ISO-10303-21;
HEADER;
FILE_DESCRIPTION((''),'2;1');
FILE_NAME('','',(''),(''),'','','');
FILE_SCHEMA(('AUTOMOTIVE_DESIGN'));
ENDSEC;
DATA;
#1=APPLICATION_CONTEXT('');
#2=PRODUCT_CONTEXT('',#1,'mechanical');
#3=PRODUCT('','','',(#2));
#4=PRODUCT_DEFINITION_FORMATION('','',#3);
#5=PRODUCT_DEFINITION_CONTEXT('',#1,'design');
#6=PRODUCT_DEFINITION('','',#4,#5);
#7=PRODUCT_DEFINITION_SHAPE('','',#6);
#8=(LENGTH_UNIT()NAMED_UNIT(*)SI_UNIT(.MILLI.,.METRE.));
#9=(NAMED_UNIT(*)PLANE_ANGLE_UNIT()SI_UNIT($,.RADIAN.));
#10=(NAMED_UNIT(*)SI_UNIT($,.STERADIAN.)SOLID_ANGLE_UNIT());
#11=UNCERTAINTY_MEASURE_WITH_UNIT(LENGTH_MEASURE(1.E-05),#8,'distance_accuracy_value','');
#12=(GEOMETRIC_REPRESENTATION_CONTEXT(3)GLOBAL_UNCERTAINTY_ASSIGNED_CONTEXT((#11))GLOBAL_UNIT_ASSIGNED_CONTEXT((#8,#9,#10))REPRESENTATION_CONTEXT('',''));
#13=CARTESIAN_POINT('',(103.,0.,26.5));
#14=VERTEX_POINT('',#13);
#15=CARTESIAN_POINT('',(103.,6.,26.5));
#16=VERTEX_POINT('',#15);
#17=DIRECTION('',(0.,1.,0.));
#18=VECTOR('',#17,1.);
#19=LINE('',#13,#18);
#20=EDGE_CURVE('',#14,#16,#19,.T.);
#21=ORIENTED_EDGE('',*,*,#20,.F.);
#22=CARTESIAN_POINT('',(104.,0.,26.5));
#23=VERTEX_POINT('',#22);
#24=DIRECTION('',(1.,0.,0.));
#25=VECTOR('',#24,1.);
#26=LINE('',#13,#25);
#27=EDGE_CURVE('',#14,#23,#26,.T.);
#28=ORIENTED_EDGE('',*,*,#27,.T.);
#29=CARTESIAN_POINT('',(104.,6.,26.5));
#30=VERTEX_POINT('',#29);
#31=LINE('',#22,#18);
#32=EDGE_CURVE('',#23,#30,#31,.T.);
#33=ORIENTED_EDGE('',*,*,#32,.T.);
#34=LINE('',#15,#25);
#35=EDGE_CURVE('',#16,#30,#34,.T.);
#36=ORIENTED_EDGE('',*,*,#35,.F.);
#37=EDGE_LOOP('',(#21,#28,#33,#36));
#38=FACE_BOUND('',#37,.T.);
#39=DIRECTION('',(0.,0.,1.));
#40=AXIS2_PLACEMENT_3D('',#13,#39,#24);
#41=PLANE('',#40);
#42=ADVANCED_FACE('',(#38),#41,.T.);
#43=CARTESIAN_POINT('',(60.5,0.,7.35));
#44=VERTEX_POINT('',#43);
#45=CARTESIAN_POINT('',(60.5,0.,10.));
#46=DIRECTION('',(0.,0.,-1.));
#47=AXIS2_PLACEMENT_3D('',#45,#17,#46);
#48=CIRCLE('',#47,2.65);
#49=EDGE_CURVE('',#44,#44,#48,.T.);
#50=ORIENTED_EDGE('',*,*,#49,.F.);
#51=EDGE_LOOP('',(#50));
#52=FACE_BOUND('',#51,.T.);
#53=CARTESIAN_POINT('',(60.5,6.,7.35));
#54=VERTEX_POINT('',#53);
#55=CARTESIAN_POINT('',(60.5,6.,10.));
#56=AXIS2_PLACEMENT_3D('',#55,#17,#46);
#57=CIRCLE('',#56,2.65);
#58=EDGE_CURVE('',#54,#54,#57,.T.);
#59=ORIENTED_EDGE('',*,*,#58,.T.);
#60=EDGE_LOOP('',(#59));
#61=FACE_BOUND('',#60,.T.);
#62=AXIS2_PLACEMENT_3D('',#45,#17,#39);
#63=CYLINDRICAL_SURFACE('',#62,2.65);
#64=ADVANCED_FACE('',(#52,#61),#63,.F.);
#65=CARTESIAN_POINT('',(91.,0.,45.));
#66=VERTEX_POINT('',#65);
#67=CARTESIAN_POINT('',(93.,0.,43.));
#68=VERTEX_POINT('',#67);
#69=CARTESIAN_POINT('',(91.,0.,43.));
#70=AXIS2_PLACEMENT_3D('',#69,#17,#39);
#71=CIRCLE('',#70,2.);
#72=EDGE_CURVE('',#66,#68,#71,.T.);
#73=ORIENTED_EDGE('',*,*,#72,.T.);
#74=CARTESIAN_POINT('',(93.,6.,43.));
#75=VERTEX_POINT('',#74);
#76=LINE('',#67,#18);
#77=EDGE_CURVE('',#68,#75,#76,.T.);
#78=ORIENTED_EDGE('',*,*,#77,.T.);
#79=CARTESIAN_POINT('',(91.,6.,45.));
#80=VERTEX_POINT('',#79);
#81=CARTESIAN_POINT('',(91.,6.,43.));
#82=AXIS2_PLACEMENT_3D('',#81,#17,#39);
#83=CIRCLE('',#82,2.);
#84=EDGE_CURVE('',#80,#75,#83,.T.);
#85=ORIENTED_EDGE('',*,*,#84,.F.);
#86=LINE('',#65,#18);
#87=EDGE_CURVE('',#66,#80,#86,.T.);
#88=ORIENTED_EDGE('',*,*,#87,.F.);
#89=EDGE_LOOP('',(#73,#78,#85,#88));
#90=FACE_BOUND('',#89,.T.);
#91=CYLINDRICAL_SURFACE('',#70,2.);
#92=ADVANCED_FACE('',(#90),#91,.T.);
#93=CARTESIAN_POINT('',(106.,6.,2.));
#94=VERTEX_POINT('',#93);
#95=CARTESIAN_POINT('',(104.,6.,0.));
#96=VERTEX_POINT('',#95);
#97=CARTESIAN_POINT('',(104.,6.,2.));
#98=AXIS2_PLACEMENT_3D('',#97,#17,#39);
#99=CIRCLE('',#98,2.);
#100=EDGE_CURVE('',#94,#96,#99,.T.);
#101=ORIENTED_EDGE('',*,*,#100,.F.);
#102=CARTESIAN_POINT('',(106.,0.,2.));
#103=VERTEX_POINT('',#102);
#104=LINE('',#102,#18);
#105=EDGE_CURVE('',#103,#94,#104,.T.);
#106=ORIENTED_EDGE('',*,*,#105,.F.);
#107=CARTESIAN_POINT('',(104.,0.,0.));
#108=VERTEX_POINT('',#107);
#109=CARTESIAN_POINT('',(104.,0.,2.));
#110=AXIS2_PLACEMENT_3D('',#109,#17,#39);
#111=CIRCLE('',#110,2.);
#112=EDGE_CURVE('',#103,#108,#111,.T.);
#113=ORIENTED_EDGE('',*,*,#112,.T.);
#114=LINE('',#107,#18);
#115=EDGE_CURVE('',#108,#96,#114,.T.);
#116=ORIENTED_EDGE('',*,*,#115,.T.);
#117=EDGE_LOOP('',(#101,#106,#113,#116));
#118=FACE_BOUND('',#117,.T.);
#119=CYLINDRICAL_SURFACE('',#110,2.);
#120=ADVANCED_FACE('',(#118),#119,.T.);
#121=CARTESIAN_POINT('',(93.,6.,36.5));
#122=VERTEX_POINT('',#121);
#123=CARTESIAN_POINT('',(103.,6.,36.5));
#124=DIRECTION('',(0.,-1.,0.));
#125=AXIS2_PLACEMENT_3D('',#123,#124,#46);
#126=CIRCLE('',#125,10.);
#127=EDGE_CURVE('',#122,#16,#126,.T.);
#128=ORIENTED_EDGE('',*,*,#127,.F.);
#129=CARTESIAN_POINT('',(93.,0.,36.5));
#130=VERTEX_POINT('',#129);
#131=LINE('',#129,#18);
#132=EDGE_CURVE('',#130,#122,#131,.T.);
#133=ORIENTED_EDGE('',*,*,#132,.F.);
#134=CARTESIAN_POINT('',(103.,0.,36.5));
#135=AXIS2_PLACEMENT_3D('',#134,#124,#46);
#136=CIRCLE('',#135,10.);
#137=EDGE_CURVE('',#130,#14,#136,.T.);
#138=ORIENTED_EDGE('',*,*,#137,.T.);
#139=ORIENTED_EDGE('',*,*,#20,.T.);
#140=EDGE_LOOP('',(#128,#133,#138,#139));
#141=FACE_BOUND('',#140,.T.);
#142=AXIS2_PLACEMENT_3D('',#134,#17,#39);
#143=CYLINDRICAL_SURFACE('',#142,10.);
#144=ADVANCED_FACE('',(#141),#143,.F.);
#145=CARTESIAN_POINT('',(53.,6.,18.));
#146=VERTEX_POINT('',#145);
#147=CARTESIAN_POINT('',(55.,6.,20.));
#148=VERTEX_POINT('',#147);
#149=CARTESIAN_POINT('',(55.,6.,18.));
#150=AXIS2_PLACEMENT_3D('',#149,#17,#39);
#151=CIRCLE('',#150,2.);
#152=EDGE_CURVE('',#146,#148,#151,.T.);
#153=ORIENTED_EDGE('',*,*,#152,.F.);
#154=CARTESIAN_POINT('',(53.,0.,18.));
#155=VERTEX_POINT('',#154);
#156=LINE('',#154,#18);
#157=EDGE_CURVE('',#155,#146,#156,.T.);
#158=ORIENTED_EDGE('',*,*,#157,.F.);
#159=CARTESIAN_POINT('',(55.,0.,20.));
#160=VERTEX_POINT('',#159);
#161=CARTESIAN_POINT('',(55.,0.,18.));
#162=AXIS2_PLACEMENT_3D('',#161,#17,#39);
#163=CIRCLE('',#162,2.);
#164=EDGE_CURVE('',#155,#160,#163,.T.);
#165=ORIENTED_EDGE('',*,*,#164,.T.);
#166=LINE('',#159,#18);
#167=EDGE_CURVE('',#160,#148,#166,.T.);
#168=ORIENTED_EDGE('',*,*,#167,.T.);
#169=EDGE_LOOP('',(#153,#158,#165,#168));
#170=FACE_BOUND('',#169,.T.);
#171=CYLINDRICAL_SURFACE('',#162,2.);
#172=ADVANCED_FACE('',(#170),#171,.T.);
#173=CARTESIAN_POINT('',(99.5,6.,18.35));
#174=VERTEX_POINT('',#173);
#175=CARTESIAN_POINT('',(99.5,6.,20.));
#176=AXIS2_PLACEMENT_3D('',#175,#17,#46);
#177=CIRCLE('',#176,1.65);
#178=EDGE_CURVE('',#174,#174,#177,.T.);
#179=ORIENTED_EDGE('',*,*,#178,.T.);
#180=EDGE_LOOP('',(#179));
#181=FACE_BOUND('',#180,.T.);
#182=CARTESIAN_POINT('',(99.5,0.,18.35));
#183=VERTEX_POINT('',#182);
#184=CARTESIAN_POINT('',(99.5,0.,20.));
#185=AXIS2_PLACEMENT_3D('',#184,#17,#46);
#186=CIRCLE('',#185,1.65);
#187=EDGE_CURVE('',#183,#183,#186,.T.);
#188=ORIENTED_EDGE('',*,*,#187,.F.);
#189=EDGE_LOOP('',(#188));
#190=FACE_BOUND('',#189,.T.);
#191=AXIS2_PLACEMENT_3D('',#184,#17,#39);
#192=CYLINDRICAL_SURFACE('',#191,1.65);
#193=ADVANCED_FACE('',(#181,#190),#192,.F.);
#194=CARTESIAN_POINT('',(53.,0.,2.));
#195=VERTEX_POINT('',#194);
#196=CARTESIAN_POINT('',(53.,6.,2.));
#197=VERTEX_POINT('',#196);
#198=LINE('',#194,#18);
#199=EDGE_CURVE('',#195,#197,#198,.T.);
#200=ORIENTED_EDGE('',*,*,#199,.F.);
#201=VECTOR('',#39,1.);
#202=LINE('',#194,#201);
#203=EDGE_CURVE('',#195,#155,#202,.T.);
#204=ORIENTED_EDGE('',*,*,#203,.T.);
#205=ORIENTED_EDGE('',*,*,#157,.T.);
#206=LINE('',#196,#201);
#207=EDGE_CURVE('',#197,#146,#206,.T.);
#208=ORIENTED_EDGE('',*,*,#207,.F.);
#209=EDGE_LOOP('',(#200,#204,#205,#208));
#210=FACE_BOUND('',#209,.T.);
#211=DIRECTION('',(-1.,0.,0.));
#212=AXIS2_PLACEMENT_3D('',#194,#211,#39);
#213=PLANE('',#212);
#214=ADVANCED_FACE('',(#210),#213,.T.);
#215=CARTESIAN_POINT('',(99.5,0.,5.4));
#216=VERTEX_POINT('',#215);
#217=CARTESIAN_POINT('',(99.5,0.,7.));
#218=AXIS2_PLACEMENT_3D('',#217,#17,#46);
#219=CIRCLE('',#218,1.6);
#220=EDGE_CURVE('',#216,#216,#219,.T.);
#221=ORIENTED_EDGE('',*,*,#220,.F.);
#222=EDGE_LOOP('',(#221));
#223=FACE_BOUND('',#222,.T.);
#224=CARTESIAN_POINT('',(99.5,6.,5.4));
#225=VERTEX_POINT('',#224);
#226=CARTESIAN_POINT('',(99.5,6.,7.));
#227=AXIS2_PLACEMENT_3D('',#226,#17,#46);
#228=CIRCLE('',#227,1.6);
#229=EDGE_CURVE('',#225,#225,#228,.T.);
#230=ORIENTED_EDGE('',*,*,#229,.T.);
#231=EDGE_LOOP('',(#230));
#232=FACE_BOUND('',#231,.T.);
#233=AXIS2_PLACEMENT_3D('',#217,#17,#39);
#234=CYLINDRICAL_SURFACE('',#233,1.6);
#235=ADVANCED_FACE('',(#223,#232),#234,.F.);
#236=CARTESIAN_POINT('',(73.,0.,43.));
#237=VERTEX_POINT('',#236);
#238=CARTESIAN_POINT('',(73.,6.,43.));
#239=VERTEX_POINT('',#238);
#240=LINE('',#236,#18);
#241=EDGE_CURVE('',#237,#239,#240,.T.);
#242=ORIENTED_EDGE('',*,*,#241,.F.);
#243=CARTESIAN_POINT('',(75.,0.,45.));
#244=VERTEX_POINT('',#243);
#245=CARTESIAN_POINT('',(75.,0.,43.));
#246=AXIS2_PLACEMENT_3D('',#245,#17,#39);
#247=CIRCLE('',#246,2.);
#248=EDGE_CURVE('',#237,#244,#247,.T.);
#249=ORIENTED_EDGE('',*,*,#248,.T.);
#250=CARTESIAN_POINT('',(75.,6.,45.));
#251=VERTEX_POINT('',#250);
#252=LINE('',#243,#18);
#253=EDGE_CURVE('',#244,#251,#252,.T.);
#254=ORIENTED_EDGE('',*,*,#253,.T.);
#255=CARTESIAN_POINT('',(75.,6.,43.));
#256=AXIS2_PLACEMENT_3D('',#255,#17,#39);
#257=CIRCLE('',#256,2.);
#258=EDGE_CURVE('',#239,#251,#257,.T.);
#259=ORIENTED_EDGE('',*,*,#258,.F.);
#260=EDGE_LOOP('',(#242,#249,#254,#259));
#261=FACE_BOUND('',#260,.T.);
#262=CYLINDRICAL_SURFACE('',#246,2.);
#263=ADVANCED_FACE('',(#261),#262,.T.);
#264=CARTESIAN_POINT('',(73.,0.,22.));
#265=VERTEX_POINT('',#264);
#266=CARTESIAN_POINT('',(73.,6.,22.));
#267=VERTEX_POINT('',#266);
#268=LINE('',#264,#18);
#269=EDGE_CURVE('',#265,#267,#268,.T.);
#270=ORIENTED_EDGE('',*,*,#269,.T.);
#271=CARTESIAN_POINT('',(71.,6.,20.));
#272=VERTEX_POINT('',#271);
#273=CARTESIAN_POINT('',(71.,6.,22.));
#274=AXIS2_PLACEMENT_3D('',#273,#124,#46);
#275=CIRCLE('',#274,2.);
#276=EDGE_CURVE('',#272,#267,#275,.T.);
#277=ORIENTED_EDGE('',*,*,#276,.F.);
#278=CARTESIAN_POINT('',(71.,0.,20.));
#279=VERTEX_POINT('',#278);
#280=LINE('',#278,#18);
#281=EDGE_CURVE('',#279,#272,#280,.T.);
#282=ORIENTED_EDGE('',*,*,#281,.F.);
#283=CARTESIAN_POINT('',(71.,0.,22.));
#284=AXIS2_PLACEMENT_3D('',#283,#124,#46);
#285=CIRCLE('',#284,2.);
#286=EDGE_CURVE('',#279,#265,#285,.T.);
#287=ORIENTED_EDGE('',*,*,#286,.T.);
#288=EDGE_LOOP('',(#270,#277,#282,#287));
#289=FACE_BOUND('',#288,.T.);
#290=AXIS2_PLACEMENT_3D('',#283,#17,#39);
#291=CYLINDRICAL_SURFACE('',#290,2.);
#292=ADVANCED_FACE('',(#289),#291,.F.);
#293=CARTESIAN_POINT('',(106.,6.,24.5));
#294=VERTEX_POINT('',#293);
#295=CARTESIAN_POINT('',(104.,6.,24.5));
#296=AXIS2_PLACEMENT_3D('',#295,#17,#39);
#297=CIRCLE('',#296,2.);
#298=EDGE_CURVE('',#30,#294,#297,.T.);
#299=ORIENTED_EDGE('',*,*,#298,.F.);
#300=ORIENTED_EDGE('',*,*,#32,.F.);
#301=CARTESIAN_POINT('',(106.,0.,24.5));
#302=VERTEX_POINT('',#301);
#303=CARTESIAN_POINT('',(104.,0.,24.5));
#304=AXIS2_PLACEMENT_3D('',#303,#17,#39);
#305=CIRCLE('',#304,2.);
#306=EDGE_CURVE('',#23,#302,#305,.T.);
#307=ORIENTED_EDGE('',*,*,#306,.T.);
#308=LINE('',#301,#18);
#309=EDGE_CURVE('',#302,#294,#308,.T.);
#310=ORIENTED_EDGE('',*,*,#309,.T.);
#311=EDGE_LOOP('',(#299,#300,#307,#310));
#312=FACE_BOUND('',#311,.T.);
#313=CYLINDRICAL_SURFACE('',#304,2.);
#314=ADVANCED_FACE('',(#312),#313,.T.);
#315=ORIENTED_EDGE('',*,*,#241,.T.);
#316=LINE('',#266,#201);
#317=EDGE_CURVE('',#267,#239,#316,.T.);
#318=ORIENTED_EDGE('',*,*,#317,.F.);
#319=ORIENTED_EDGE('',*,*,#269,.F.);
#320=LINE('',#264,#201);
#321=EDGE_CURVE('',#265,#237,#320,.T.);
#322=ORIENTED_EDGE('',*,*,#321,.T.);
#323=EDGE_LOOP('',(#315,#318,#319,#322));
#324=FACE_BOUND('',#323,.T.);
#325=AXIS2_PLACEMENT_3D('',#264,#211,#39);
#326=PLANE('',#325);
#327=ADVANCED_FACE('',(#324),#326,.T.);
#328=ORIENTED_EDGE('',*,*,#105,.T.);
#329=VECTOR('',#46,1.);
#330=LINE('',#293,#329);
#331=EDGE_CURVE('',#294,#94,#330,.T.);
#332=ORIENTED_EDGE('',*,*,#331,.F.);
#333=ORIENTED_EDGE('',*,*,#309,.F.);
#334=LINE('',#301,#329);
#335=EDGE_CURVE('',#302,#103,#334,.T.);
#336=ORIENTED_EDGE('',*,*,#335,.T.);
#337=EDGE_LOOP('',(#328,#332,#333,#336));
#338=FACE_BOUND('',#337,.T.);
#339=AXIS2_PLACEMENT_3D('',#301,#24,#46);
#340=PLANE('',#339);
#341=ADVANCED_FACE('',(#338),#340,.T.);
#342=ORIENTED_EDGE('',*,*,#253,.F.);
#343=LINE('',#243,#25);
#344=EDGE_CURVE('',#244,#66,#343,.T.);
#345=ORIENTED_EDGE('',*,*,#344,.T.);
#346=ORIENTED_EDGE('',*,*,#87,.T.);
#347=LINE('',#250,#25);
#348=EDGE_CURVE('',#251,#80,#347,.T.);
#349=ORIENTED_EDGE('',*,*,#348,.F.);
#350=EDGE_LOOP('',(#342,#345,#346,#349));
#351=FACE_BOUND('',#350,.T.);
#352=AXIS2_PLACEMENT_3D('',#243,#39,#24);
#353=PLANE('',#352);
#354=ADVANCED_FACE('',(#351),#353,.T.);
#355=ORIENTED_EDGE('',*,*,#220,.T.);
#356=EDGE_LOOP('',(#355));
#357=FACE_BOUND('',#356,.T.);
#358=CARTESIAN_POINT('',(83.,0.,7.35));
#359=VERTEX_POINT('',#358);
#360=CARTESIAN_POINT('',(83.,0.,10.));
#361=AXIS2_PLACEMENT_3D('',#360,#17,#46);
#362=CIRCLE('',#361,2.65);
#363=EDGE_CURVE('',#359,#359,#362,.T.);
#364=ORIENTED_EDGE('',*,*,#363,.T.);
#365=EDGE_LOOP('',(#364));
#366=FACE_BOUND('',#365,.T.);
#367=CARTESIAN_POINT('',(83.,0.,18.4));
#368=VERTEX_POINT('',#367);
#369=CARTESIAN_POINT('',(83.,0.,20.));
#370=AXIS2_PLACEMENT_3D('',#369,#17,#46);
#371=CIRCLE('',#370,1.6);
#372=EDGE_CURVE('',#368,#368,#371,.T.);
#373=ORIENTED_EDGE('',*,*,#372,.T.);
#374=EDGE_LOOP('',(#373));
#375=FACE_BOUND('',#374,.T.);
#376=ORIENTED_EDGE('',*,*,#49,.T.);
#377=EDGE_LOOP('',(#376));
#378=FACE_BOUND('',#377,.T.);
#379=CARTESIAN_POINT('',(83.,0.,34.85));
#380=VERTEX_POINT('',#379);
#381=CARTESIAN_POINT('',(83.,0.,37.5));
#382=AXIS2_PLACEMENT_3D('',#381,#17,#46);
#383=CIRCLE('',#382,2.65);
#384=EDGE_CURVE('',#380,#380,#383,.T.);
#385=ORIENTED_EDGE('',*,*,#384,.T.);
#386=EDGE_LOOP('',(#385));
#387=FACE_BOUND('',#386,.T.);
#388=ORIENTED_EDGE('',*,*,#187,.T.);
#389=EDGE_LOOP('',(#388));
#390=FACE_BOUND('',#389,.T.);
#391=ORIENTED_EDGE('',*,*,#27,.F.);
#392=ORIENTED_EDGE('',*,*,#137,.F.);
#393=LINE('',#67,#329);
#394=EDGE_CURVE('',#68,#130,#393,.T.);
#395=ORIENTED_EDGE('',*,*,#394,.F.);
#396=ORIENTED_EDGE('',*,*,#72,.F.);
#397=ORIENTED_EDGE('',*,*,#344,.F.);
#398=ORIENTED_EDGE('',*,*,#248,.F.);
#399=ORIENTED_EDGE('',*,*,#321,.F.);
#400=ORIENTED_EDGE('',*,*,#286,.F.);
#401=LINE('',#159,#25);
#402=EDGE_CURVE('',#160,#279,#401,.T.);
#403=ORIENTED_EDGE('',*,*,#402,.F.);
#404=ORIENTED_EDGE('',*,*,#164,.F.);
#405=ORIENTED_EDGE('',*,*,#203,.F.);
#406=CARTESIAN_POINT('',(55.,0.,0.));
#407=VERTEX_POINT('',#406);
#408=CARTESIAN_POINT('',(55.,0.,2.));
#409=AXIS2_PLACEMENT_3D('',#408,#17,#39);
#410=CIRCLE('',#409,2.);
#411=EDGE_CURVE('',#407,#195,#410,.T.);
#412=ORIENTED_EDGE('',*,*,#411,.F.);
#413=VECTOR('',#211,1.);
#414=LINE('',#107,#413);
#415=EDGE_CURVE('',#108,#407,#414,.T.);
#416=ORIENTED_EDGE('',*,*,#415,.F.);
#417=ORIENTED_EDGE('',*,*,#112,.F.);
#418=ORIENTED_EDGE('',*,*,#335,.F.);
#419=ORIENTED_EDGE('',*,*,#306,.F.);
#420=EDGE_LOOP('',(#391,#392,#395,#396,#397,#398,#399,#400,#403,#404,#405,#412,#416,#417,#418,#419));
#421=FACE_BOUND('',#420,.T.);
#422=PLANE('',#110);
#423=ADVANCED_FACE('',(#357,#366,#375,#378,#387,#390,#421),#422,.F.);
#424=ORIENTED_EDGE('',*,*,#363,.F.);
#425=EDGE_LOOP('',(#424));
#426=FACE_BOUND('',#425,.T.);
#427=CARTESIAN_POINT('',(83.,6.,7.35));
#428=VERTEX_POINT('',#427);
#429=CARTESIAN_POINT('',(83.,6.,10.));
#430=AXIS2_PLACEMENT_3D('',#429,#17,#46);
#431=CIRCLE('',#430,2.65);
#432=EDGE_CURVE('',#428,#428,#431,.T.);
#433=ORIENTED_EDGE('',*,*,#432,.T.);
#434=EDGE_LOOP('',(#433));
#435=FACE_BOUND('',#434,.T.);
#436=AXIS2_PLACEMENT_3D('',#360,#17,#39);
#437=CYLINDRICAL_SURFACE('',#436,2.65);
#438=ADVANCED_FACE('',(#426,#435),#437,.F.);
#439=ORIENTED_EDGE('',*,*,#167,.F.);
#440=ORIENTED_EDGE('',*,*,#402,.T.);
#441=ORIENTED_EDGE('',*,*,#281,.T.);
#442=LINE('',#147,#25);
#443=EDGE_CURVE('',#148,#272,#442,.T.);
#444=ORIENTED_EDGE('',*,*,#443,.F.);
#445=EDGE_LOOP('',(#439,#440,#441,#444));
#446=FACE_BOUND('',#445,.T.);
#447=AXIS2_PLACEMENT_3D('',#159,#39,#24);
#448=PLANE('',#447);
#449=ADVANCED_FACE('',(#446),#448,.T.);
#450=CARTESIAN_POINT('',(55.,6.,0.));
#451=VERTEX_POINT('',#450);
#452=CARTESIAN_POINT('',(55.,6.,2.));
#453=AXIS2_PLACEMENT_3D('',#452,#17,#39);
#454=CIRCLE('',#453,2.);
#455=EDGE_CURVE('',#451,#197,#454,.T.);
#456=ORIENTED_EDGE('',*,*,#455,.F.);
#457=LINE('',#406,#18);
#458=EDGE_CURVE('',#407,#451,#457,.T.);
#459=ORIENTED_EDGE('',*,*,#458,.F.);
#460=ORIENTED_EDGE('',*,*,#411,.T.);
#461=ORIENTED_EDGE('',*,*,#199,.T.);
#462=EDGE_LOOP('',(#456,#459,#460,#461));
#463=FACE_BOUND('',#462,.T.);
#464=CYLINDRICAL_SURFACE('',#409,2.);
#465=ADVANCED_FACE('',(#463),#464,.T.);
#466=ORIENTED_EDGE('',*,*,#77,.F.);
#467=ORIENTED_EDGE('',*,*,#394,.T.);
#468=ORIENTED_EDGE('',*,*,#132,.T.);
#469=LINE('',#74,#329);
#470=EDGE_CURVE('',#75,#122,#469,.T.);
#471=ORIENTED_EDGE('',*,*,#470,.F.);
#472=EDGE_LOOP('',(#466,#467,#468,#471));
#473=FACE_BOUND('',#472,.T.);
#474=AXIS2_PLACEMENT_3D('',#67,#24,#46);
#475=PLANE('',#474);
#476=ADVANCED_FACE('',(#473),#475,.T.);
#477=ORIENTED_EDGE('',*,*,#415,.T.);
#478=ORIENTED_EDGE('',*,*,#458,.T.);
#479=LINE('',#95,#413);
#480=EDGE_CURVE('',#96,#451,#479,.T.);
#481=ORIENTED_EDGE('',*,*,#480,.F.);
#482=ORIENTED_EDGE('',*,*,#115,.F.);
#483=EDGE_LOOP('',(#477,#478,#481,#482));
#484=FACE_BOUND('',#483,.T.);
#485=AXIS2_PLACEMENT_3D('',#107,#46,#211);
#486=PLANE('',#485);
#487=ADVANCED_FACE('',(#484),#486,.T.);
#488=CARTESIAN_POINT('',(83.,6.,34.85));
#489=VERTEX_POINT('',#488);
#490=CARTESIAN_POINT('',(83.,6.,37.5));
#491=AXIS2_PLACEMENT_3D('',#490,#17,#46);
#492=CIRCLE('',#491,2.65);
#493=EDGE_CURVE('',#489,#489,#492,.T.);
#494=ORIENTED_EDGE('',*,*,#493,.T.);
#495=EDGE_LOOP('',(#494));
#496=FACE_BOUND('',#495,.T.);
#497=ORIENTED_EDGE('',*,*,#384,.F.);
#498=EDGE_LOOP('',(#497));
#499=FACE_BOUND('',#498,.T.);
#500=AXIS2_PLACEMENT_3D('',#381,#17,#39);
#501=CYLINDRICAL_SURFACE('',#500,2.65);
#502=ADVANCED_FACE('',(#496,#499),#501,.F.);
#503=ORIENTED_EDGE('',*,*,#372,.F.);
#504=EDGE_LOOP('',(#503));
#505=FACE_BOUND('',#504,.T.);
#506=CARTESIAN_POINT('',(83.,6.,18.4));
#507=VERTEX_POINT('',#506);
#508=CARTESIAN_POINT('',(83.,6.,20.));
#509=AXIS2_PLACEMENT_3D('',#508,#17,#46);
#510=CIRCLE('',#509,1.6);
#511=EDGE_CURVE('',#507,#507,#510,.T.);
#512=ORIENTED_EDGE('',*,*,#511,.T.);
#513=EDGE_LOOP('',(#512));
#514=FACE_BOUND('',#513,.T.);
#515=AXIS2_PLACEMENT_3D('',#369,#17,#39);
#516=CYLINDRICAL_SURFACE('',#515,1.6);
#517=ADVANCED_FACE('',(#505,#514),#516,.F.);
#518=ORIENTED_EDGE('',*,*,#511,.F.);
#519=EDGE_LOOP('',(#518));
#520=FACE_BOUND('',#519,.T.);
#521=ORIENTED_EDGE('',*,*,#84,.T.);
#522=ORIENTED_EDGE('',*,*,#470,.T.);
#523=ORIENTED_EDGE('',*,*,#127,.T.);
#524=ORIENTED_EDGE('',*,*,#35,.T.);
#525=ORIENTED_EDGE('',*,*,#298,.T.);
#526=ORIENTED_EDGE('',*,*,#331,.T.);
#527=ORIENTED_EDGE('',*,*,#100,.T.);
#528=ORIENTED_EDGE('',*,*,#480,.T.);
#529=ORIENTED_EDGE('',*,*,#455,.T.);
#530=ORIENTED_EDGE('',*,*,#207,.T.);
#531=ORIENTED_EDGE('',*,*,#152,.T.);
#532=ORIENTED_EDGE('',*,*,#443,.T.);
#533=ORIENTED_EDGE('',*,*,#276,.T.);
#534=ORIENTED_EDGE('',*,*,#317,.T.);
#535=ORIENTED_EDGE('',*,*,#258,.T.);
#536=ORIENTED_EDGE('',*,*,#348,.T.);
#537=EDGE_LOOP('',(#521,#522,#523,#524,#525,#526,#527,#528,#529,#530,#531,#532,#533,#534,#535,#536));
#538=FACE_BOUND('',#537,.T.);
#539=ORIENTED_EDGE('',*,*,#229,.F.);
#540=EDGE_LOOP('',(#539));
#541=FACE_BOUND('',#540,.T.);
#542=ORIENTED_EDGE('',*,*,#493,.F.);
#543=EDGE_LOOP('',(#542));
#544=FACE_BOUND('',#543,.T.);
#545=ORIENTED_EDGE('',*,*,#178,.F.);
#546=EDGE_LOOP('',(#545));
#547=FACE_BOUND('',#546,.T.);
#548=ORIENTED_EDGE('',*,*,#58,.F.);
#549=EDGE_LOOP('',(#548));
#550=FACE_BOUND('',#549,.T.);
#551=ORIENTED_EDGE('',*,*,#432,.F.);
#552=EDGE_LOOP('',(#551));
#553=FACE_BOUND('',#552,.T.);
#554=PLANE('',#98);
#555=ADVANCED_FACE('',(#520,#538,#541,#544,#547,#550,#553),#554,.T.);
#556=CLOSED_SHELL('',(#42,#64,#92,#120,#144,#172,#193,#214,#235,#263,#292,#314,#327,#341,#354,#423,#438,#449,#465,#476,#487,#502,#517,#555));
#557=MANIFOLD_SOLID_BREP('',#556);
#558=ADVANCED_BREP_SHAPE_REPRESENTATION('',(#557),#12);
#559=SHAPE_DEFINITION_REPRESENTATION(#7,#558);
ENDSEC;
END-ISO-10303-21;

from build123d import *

# Parameters (mm, degrees)
SKETCH1_R           = 1.65
SKETCH1_R_2         = 1.6
SKETCH1_R_3         = 2.65
BOSS_EXTRUDE1_DEPTH = 6


with BuildPart() as part:
    # Sketch1 → Boss-Extrude1 (new body)
    with BuildSketch(Plane(origin=(0, 6, 0), x_dir=(1, 0, 0), z_dir=(0, 1, 0))):
        with BuildLine():
            Line((104, 0), (55, 0))
            ThreePointArc((55, 0), (53.585786438, -0.585786438), (53, -2))
            Line((53, -2), (53, -18))
            ThreePointArc((53, -18), (53.585786438, -19.414213562), (55, -20))
            Line((55, -20), (71, -20))
            ThreePointArc((71, -20), (72.414213562, -20.585786438), (73, -22))
            Line((73, -22), (73, -43))
            ThreePointArc((73, -43), (73.585786438, -44.414213562), (75, -45))
            Line((75, -45), (91, -45))
            ThreePointArc((91, -45), (92.414213562, -44.414213562), (93, -43))
            Line((93, -43), (93, -36.5))
            ThreePointArc((93, -36.5), (95.928932188, -29.428932188), (103, -26.5))
            Line((103, -26.5), (104, -26.5))
            ThreePointArc((104, -26.5), (105.414213562, -25.914213562), (106, -24.5))
            Line((106, -24.5), (106, -2))
            ThreePointArc((106, -2), (105.414213562, -0.585786438), (104, 0))
        make_face()
        with Locations((99.5, -20)):
            Circle(SKETCH1_R, mode=Mode.SUBTRACT)
        with Locations((99.5, -7)):
            Circle(SKETCH1_R_2, mode=Mode.SUBTRACT)
        with Locations((83, -20)):
            Circle(SKETCH1_R_2, mode=Mode.SUBTRACT)
        with Locations((83, -10)):
            Circle(SKETCH1_R_3, mode=Mode.SUBTRACT)
        with Locations((60.5, -10)):
            Circle(SKETCH1_R_3, mode=Mode.SUBTRACT)
        with Locations((83, -37.5)):
            Circle(SKETCH1_R_3, mode=Mode.SUBTRACT)
    extrude(amount=-BOSS_EXTRUDE1_DEPTH)


solid = part.part
